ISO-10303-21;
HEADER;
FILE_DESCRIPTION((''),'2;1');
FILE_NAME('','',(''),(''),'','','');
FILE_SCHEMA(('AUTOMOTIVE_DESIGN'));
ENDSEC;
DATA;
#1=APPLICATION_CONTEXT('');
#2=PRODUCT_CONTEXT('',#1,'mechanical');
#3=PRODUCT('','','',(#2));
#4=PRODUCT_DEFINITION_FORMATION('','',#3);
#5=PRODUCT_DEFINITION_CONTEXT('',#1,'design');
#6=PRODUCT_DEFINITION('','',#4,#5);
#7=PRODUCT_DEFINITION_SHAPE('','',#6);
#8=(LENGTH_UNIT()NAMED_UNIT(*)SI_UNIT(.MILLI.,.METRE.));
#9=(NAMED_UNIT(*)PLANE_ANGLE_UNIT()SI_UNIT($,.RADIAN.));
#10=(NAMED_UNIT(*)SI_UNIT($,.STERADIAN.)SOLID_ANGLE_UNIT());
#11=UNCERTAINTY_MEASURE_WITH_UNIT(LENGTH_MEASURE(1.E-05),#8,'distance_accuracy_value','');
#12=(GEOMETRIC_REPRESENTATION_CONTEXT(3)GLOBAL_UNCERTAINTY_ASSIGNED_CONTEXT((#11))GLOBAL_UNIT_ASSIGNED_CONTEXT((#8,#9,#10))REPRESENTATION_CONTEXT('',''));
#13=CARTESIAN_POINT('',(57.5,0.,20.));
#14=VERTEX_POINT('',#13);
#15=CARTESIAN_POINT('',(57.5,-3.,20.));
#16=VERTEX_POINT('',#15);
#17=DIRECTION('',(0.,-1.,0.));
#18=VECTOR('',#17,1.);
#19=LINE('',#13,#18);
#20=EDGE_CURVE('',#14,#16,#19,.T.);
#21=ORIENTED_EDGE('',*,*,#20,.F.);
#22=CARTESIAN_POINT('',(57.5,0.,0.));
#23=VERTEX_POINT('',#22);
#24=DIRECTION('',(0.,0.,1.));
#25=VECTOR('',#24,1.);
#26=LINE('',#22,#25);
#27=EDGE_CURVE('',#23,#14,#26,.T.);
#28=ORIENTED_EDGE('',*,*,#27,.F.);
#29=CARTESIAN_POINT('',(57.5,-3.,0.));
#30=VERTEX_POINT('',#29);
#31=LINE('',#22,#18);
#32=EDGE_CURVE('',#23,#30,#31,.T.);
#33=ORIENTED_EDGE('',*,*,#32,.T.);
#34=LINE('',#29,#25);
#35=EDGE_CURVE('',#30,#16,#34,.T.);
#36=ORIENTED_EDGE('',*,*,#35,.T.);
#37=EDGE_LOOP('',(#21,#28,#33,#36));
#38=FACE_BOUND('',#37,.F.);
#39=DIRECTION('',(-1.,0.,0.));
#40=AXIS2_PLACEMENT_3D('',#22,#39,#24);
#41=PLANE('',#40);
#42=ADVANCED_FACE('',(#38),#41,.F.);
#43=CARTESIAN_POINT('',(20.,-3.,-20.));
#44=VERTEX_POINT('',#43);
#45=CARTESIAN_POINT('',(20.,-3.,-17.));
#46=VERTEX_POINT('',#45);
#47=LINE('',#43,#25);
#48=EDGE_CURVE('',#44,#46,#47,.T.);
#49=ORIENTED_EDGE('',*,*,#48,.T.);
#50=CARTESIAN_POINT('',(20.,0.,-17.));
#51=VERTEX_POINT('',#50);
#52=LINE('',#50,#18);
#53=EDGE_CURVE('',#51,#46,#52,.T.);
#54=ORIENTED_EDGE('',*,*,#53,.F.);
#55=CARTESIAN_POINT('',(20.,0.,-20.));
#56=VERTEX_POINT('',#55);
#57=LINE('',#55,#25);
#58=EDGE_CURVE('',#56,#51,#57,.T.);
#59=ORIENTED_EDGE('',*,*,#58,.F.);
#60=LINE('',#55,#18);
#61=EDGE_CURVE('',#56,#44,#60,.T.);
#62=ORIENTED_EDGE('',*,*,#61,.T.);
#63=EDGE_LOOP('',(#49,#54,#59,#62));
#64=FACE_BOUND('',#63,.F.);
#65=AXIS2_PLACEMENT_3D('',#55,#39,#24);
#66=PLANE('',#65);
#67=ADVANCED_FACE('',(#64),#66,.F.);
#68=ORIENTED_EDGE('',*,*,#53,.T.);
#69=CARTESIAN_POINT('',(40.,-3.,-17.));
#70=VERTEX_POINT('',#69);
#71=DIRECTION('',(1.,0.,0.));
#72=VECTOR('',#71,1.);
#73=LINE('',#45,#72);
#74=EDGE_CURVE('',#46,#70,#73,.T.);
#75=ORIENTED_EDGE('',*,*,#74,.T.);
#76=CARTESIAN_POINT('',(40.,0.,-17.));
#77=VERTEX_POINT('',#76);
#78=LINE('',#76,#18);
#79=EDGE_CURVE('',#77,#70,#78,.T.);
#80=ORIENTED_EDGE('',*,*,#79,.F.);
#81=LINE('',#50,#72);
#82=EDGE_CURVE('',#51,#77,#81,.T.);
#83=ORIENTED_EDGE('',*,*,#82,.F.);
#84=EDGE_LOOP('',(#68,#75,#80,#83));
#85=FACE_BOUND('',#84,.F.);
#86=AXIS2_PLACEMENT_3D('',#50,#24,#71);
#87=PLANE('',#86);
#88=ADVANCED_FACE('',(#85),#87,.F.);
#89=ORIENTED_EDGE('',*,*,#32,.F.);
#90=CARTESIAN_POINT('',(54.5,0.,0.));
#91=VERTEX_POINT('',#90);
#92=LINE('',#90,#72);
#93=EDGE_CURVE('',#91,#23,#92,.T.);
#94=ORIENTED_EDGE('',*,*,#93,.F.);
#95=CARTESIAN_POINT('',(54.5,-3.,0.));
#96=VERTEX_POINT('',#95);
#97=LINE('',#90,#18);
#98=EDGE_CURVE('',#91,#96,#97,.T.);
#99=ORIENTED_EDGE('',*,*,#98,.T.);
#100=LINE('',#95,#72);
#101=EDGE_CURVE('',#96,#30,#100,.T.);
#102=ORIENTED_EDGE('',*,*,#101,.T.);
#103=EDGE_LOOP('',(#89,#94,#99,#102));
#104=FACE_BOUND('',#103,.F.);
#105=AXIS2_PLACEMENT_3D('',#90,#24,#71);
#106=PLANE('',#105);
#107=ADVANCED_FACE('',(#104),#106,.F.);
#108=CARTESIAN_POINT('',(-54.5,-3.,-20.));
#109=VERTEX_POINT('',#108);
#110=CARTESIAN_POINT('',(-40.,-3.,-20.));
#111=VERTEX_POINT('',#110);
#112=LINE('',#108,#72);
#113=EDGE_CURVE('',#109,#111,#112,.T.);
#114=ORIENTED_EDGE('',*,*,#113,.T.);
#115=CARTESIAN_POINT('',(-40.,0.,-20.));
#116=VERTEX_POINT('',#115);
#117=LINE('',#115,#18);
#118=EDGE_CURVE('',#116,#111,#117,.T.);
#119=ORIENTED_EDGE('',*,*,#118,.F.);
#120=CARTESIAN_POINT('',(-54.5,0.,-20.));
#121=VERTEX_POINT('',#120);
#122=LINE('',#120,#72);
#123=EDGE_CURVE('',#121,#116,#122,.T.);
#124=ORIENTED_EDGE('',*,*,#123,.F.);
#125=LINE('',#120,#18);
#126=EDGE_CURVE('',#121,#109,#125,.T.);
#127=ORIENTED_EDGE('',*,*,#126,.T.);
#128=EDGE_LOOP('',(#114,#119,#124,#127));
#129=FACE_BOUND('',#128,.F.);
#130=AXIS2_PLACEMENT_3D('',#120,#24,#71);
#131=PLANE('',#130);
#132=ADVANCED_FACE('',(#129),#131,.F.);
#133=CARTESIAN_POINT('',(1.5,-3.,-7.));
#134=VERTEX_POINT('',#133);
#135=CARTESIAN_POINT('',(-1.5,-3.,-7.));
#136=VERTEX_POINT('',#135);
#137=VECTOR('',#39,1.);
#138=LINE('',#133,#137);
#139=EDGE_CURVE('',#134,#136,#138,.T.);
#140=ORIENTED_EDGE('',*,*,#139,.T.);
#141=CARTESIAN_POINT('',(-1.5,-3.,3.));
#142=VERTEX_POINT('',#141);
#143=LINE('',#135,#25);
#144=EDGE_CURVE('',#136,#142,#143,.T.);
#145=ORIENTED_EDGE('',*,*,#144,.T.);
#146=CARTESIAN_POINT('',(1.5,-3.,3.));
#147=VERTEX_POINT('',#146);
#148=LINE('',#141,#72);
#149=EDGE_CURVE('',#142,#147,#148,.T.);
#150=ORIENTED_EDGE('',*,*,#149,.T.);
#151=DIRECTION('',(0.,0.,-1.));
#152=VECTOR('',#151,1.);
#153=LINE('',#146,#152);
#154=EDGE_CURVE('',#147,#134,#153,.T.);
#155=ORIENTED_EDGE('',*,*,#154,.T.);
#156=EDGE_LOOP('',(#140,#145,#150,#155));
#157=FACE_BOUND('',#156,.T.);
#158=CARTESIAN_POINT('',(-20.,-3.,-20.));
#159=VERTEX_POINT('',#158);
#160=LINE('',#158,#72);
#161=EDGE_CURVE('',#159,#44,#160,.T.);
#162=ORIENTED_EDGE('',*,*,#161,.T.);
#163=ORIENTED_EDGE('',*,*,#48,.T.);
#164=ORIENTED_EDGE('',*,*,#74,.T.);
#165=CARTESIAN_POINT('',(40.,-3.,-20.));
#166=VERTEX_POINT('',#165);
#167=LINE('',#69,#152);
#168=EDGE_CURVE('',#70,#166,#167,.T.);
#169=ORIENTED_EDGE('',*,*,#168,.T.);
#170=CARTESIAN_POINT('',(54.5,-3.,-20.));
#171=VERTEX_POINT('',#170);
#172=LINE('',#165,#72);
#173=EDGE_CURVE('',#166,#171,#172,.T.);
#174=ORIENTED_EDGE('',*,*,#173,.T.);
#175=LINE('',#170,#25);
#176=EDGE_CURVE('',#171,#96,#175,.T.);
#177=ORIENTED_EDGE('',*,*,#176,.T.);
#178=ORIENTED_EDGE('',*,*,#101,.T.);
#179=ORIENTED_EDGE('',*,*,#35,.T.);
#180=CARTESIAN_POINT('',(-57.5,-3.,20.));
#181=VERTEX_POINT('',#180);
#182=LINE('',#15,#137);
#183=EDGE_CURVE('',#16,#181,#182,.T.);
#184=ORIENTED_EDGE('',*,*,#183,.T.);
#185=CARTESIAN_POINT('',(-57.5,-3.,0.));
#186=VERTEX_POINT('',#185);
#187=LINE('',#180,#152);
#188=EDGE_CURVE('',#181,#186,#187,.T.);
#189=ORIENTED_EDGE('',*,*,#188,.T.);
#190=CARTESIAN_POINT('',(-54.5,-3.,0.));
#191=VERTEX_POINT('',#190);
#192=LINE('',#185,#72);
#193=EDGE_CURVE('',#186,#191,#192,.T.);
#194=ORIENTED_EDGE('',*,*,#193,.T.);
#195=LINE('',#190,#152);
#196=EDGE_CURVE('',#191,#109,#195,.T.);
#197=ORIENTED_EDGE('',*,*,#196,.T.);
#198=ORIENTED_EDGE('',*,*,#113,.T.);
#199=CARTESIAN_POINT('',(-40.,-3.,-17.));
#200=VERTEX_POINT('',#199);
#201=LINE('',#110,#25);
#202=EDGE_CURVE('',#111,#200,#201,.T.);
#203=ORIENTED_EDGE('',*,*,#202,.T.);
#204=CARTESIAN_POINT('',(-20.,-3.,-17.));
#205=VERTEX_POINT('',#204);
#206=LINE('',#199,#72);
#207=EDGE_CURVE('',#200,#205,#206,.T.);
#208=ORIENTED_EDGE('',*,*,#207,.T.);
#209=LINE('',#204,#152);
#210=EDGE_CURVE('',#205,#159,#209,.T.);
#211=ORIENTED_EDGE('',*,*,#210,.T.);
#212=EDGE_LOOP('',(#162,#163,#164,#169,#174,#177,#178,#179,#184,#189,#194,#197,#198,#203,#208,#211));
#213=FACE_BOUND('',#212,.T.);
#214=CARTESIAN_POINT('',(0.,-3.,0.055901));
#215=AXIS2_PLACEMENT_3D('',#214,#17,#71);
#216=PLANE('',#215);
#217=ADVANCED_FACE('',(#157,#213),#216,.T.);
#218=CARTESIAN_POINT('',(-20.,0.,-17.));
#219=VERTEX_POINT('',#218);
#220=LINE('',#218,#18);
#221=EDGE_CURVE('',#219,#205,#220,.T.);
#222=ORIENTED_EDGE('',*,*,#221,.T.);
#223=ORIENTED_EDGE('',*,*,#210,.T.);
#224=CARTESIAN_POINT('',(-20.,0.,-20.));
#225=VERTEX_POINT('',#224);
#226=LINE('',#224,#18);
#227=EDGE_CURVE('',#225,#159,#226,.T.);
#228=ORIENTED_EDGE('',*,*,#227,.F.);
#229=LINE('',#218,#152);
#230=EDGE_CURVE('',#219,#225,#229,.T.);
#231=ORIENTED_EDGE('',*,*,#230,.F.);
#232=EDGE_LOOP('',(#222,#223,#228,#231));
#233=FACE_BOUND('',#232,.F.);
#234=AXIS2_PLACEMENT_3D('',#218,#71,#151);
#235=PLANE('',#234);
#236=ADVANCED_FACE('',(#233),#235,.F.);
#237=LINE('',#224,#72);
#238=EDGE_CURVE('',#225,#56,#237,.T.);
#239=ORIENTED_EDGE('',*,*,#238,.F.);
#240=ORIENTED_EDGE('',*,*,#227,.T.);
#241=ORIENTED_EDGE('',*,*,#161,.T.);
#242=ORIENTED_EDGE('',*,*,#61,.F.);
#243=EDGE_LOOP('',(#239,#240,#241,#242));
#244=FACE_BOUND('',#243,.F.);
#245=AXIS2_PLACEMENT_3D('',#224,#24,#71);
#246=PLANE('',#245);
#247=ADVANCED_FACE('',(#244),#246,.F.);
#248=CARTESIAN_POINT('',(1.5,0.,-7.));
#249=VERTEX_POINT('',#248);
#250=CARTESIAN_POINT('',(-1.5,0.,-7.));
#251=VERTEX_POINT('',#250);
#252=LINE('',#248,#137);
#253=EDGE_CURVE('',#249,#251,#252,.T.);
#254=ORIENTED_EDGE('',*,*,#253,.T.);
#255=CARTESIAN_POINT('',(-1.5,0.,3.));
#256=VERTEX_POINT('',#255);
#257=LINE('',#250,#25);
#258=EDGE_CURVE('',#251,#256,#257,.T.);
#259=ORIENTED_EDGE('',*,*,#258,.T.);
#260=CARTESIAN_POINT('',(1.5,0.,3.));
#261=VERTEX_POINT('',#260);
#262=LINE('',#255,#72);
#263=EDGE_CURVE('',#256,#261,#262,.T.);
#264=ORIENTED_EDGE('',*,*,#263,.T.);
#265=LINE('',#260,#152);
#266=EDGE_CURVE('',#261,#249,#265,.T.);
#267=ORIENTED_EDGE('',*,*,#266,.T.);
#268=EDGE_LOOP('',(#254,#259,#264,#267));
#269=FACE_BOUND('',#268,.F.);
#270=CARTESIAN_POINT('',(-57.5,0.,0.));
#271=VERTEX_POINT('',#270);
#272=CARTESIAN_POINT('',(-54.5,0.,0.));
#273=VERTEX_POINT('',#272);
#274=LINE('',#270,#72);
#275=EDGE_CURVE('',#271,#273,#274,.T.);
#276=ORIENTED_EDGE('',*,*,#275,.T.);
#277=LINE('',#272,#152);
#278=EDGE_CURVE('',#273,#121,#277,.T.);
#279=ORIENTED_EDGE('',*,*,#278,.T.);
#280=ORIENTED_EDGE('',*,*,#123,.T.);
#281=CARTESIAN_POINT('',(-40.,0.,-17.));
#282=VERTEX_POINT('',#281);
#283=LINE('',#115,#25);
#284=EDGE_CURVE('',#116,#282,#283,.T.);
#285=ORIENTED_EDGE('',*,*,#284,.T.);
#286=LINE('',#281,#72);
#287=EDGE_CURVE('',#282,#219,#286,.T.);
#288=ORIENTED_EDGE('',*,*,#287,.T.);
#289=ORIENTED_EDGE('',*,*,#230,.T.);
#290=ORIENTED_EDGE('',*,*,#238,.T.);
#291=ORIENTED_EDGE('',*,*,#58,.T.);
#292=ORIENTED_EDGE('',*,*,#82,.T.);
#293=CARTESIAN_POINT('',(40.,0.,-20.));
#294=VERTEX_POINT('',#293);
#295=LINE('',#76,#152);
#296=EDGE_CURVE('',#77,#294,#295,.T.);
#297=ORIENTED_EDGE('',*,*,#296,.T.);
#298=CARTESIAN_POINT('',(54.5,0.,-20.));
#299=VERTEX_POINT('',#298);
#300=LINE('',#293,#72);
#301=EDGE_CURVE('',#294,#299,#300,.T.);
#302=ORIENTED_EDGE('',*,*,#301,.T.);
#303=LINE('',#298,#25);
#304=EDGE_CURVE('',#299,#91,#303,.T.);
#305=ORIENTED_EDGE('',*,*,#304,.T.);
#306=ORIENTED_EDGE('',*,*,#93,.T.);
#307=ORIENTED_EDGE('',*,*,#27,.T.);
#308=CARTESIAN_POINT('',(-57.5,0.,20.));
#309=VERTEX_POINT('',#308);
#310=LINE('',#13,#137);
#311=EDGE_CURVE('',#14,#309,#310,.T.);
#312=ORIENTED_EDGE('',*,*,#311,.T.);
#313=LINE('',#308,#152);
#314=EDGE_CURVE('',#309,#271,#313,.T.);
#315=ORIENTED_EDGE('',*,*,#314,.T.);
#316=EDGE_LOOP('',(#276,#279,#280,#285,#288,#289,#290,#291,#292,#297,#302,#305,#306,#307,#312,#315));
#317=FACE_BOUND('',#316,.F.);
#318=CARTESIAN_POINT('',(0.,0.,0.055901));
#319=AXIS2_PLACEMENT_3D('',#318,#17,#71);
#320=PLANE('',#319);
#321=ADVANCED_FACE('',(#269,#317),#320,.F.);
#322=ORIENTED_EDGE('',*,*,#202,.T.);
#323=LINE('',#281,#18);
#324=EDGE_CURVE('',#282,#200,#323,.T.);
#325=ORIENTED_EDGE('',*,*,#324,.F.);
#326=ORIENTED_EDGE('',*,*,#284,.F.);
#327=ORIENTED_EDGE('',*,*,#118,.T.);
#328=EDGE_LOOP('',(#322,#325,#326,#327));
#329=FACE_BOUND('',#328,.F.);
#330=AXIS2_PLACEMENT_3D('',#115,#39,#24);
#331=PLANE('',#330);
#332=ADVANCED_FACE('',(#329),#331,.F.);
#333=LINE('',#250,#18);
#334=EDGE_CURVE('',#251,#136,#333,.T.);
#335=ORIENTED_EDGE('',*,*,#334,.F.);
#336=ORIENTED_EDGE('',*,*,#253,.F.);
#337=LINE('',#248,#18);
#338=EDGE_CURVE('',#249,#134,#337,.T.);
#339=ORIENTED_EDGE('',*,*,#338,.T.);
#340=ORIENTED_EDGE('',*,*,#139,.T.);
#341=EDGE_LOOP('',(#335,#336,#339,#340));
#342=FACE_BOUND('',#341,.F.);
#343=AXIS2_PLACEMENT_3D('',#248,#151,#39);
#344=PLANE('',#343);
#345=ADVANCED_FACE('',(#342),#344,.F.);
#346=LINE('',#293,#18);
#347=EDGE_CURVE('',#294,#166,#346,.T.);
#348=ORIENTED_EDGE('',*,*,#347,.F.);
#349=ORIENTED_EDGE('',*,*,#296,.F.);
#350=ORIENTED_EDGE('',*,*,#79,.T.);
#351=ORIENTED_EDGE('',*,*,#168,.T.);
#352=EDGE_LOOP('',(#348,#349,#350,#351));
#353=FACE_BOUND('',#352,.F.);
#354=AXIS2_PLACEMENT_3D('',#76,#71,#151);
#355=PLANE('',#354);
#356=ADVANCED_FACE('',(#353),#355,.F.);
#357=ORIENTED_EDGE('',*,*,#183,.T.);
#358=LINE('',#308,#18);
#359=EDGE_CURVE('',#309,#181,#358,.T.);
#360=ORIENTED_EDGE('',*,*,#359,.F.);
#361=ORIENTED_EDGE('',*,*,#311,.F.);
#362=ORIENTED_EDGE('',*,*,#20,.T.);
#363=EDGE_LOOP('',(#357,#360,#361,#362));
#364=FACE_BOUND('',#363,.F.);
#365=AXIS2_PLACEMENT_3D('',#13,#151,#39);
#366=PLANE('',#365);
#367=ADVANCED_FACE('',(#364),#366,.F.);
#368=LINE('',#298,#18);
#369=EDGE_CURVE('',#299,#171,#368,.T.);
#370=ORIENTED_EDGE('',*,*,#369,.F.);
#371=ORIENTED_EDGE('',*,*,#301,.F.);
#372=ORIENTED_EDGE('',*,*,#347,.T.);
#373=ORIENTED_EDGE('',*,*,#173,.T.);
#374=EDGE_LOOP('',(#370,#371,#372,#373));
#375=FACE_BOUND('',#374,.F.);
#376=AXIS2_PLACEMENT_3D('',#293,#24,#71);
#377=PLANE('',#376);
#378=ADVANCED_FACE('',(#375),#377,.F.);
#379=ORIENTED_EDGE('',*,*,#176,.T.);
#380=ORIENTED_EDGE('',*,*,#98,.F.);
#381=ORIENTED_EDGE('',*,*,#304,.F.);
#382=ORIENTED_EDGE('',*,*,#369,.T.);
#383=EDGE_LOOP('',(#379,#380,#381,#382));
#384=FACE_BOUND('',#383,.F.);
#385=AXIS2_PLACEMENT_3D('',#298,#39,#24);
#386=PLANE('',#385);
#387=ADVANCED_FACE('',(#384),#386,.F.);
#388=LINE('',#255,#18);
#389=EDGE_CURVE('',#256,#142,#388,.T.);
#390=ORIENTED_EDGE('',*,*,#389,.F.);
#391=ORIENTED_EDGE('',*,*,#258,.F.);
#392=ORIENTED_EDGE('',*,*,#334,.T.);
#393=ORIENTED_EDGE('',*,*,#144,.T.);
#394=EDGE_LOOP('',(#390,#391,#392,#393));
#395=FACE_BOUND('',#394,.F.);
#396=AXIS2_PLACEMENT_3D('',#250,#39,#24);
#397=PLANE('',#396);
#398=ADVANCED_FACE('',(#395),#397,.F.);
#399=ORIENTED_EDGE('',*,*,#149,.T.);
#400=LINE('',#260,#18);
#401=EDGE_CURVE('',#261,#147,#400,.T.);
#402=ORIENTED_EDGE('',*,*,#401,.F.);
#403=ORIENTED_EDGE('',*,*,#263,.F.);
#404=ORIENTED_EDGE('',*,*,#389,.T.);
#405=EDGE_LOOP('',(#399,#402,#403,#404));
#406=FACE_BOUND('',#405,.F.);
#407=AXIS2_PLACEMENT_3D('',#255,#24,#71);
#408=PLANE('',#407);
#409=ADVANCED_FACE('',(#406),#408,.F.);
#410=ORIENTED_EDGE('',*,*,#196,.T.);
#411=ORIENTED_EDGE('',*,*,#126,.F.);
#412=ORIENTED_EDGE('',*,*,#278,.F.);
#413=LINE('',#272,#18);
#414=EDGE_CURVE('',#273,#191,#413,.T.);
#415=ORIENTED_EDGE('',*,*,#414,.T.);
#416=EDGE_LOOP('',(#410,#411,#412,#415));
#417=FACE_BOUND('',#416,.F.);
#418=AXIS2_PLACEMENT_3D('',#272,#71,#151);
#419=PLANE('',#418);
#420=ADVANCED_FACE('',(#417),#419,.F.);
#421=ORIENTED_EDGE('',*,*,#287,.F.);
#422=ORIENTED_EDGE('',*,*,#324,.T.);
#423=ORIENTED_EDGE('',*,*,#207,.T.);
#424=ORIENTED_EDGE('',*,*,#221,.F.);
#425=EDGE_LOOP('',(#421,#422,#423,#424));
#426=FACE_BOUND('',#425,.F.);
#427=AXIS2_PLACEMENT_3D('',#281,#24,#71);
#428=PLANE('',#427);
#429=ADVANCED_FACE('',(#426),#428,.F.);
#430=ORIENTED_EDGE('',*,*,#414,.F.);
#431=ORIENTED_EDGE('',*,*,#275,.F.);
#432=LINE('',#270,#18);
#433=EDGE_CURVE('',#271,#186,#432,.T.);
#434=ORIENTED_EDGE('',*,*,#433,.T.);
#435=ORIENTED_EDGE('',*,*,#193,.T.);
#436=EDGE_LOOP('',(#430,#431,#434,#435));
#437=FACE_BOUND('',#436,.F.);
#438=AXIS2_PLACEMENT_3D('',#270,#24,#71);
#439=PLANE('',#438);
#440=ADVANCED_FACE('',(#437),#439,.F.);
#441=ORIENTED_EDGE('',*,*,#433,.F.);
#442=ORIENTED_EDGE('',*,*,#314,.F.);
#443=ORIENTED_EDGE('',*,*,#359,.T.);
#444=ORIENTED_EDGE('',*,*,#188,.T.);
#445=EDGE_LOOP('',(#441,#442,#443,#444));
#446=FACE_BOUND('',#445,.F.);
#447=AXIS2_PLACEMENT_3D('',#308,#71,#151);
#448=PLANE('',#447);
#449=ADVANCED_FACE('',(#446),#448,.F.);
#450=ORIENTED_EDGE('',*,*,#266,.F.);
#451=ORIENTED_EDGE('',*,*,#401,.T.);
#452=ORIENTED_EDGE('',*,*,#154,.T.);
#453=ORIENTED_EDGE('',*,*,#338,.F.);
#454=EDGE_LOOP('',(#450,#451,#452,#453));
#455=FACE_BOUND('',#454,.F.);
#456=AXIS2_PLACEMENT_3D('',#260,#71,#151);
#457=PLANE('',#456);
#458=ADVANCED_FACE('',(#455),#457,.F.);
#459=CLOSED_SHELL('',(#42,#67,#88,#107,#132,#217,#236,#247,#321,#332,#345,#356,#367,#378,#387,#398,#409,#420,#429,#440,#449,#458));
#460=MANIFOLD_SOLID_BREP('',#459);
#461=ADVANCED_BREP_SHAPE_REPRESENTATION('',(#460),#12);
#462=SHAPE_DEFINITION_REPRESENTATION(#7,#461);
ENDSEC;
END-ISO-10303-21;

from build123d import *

# Parameters (mm, degrees)
F1_DEPTH = 3


with BuildPart() as f1:
    # F0 (on Front) → F1 (new body)
    with BuildSketch(Plane.XZ):
        Polygon((40, -20), (54.5, -20), (54.5, 0), (57.5, 0), (57.5, 20), (-57.5, 20), (-57.5, 0), (-54.5, 0), (-54.5, -20), (-40, -20), (-40, -17), (-20, -17), (-20, -20), (20, -20), (20, -17), (40, -17), align=None)
        Polygon((-1.5, 3), (0, 3), (1.5, 3), (1.5, -7), (0, -7), (-1.5, -7), align=None, mode=Mode.SUBTRACT)
    extrude(amount=F1_DEPTH)


solid = f1.part
